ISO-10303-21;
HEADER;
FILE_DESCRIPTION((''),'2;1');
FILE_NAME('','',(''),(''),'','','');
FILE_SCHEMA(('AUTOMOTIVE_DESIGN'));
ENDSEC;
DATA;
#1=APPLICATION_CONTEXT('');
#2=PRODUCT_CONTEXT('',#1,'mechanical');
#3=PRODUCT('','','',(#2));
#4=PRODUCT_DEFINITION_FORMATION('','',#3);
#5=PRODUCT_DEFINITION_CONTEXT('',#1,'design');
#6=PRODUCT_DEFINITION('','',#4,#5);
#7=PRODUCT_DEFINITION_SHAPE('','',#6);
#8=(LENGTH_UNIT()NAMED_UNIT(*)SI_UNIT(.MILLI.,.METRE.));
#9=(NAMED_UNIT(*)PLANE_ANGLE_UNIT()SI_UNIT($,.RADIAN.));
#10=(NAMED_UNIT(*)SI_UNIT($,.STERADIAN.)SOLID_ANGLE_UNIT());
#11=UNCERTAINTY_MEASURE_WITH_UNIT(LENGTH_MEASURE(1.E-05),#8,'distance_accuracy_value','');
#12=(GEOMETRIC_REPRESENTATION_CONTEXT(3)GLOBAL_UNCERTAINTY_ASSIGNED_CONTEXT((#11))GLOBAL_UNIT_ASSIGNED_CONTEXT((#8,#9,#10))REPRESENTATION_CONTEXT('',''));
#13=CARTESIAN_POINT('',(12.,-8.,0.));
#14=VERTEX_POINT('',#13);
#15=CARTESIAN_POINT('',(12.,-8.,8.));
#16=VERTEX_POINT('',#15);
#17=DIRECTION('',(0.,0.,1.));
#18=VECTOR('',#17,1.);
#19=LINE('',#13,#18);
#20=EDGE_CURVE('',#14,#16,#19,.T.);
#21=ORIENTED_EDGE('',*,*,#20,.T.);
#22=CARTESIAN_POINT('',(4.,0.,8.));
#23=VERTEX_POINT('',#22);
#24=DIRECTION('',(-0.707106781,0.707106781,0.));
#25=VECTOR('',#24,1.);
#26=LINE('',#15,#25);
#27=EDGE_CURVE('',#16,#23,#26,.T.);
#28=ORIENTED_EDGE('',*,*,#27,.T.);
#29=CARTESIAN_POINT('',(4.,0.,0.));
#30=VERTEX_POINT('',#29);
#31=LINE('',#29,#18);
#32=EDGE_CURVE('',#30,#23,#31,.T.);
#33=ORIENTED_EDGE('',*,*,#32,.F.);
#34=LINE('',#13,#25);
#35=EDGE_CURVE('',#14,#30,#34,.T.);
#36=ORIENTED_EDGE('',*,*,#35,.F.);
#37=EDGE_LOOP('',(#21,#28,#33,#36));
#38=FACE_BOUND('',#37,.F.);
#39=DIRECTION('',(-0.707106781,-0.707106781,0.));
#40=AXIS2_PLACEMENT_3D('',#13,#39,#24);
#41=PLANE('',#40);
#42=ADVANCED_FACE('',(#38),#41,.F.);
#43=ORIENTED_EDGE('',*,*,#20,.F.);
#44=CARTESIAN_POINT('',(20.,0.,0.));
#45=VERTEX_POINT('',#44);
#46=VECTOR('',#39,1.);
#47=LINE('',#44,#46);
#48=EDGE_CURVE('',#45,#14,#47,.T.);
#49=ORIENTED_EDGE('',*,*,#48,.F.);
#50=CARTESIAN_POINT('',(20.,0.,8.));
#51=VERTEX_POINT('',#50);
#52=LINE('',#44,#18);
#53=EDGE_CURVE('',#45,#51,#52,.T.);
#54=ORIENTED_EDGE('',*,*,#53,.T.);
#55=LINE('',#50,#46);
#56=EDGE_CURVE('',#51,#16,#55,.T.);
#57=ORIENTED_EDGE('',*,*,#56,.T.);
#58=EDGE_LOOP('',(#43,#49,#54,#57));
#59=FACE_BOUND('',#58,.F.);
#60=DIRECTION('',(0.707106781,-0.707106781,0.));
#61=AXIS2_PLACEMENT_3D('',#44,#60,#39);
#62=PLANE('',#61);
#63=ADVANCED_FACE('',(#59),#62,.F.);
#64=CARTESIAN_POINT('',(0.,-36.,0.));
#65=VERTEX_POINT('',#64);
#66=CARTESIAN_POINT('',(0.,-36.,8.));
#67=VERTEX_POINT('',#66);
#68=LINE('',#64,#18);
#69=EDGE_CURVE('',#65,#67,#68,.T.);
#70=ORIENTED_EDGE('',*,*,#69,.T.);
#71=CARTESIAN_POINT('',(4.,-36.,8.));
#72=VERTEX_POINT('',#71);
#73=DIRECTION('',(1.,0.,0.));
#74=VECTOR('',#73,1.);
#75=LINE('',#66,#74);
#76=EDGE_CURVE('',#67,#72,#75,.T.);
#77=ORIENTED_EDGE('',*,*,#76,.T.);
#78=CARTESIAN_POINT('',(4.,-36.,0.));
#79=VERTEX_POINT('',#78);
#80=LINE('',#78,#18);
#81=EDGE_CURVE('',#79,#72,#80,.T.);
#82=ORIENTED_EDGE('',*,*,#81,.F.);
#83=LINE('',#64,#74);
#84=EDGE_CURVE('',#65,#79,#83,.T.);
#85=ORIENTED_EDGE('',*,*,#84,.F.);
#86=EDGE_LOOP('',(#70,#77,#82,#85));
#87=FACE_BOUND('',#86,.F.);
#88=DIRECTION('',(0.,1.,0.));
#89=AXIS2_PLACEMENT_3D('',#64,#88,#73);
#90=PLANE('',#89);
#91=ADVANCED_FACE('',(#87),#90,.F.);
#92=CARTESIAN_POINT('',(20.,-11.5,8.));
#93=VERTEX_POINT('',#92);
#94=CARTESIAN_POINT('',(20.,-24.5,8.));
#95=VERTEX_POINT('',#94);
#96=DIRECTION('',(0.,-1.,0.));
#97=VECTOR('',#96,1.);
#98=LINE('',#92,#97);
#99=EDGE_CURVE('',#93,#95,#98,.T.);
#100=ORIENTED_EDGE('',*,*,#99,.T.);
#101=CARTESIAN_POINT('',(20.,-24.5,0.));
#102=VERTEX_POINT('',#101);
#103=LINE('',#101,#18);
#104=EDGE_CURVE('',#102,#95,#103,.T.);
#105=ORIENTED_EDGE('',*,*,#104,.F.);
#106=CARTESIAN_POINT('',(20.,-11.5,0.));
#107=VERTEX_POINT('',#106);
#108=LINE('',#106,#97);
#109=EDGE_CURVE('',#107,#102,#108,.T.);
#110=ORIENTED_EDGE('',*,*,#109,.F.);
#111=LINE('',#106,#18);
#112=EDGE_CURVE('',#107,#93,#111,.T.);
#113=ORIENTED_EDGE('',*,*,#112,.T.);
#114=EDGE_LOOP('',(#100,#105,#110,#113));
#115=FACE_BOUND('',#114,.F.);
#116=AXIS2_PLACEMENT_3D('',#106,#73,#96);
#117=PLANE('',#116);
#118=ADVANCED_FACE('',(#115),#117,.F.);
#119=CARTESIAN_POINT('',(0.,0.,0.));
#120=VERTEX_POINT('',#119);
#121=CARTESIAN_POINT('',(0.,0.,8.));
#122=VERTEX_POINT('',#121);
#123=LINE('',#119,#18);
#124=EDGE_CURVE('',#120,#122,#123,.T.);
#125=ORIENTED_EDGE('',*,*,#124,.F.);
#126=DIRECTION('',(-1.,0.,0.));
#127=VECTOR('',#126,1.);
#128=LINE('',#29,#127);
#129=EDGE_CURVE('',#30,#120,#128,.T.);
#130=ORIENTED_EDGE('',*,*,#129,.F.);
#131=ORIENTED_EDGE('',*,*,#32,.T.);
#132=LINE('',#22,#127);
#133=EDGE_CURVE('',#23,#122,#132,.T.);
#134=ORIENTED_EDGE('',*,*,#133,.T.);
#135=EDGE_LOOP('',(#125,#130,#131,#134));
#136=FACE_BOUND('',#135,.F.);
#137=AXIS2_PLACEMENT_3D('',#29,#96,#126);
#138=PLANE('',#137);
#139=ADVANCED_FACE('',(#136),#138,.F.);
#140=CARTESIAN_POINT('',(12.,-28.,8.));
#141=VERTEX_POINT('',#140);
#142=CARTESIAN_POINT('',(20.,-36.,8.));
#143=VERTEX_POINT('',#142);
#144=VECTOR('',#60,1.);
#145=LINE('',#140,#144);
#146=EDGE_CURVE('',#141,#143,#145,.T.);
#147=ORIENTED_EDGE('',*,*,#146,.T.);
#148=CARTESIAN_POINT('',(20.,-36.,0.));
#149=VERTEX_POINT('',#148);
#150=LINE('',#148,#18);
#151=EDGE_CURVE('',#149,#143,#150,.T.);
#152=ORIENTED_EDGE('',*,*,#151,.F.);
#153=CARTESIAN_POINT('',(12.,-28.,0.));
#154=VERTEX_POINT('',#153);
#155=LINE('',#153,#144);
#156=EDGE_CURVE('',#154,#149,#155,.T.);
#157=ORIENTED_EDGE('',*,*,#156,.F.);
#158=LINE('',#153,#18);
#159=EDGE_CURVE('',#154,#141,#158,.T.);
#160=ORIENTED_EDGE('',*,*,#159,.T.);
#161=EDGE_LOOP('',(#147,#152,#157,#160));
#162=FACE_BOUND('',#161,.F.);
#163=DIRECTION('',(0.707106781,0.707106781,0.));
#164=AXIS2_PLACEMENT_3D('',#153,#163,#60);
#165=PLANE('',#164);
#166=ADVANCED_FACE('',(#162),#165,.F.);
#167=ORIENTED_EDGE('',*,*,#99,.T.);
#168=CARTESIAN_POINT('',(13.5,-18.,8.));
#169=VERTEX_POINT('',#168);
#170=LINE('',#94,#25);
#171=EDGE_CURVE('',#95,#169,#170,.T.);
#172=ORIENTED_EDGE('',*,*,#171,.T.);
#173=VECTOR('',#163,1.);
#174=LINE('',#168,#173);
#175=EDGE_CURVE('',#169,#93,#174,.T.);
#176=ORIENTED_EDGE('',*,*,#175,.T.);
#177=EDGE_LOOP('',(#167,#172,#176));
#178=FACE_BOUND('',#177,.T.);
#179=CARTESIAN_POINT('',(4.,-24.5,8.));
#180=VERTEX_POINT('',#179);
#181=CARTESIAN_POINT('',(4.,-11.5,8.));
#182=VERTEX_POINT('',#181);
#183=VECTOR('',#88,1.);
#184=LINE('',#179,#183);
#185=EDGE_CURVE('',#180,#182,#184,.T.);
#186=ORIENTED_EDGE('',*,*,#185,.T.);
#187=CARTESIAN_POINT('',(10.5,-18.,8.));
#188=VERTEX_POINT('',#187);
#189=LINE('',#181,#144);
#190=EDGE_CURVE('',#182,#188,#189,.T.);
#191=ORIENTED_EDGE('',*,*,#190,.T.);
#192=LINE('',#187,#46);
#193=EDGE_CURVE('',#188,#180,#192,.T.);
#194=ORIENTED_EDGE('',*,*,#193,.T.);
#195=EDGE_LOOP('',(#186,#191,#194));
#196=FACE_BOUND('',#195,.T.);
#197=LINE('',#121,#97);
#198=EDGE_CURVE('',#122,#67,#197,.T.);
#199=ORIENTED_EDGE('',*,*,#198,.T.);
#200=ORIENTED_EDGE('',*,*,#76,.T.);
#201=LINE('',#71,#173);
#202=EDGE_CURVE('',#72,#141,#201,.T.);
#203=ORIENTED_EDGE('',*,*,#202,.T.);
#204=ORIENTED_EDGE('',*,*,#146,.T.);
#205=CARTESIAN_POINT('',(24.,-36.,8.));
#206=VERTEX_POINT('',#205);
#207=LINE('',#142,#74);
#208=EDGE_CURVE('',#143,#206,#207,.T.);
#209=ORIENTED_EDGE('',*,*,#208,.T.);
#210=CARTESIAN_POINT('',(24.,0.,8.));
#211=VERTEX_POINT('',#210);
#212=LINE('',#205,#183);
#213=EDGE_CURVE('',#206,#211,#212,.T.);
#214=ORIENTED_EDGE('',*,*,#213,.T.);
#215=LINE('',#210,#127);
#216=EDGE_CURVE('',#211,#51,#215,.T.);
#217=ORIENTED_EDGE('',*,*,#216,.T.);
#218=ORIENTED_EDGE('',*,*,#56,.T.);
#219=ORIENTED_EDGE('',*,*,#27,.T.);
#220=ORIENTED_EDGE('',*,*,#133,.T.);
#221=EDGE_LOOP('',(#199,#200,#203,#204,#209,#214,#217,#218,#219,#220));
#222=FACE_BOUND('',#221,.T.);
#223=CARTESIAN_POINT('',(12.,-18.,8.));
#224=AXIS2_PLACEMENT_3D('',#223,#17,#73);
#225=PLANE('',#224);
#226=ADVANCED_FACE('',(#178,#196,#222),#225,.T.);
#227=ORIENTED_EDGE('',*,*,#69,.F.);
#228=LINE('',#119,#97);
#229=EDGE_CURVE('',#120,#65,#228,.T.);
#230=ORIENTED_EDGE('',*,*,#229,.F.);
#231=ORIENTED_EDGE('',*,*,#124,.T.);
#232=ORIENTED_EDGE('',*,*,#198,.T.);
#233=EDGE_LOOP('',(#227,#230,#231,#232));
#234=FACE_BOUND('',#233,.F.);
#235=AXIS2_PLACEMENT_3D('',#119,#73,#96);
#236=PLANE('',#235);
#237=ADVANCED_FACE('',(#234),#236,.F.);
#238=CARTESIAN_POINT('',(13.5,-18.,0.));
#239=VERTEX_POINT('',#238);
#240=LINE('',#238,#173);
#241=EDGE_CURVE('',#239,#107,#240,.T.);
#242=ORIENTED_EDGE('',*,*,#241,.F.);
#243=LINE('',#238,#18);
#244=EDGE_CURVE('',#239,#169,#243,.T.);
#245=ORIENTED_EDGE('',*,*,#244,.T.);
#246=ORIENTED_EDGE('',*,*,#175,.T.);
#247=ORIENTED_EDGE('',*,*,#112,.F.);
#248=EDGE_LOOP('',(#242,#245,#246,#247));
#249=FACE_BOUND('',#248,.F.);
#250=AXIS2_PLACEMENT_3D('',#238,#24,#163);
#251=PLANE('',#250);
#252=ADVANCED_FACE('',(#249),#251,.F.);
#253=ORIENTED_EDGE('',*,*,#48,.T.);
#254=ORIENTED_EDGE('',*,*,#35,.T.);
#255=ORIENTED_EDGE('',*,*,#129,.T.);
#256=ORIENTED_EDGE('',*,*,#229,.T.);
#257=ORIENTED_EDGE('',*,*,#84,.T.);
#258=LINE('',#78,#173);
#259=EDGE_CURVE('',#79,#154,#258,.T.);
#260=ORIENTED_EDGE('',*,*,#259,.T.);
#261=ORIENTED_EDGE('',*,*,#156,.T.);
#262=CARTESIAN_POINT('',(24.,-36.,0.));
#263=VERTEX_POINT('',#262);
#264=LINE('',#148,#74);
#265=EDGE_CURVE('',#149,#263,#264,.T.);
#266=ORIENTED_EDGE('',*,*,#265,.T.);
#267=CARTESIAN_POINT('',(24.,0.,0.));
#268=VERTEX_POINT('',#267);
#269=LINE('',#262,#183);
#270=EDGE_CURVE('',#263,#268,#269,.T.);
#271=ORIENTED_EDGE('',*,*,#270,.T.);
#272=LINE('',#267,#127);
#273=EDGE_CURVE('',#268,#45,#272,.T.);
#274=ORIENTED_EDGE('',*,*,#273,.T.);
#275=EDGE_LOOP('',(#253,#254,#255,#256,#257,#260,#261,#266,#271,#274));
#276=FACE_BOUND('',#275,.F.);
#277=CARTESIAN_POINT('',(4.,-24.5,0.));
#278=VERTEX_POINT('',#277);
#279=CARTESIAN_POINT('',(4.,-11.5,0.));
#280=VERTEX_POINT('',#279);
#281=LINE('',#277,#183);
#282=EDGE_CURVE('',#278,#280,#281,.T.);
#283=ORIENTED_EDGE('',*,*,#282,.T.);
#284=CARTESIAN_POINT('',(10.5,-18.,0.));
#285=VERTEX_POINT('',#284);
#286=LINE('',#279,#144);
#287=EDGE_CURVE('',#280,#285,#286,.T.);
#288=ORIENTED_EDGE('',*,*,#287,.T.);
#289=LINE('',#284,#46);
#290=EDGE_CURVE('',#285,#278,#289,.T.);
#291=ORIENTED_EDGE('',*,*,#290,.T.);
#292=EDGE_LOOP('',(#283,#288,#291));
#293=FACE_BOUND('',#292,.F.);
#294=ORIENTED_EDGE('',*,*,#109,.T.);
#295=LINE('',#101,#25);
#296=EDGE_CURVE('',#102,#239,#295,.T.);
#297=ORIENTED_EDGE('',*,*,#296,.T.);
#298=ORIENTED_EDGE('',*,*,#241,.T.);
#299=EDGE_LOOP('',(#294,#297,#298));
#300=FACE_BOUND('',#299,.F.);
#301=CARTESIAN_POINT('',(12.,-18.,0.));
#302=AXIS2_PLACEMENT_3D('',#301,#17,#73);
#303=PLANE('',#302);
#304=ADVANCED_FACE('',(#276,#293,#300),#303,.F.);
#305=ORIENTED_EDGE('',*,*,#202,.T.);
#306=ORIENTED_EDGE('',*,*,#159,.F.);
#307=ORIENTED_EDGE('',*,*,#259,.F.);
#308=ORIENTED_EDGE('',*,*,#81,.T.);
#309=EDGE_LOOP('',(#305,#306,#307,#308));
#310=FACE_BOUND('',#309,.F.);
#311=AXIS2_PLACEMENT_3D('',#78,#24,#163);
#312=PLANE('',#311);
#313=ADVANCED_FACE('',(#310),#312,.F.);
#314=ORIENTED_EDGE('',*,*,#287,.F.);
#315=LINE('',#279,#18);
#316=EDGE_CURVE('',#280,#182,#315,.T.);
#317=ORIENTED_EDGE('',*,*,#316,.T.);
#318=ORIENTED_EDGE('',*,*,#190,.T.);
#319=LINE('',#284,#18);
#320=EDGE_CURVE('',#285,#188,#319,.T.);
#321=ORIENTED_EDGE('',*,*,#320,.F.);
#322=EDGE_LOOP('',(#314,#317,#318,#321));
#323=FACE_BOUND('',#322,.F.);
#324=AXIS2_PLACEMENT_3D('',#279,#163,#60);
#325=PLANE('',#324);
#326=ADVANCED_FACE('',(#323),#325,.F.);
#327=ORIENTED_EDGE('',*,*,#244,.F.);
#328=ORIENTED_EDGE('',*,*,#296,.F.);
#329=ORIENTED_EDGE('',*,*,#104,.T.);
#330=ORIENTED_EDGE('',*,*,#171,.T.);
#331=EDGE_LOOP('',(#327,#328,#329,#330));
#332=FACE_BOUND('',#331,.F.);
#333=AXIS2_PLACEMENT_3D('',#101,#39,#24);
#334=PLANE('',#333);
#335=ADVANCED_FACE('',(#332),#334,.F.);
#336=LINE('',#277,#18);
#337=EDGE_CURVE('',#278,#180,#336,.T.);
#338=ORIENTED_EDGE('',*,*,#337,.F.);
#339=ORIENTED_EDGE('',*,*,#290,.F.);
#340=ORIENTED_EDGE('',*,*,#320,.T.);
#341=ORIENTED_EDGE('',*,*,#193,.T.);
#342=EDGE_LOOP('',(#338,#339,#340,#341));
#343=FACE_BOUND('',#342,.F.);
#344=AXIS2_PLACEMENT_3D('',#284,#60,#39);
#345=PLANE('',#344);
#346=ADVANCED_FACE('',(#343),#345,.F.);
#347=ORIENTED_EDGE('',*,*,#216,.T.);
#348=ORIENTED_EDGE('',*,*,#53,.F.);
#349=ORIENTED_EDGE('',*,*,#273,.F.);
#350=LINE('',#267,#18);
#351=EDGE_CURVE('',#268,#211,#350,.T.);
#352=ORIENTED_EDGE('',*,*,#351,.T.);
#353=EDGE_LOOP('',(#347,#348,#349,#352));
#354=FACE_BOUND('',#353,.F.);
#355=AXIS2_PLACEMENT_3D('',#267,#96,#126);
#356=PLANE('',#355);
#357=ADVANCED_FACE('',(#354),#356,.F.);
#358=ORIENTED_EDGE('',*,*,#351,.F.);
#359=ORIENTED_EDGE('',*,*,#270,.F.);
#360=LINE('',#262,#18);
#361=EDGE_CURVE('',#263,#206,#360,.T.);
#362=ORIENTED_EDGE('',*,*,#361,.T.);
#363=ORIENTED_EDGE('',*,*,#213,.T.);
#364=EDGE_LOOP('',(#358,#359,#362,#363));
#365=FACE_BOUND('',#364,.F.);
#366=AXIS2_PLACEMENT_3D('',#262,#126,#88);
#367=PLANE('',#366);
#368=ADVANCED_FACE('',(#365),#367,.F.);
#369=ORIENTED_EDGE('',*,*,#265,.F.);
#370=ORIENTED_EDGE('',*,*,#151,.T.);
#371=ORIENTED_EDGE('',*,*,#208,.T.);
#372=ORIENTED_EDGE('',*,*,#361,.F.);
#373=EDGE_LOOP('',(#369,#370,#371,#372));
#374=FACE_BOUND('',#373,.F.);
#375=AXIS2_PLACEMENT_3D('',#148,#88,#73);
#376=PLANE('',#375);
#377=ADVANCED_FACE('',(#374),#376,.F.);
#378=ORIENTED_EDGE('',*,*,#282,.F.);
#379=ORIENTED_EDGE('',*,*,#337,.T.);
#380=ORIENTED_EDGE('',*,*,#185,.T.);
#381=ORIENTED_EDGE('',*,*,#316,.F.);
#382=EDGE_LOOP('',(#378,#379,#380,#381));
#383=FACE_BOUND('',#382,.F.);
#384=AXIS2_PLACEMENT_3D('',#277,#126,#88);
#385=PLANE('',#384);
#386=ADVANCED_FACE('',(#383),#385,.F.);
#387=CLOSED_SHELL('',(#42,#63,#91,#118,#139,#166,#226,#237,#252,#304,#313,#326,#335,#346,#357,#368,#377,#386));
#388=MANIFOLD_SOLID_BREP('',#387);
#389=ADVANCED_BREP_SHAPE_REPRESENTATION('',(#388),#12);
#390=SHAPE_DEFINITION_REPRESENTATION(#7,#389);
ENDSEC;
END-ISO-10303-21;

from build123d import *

# Parameters (mm, degrees)
F1_DEPTH = 8


with BuildPart() as f1:
    # F0 (on Top) → F1 (new body)
    with BuildSketch(Plane.XY):
        Polygon((4, 0), (0, 0), (0, -36), (4, -36), (12, -28), (20, -36), (24, -36), (24, 0), (20, 0), (12, -8), align=None)
        Polygon((4, -24.5), (4, -11.5), (10.5, -18), align=None, mode=Mode.SUBTRACT)
        Polygon((20, -24.5), (13.5, -18), (20, -11.5), align=None, mode=Mode.SUBTRACT)
    extrude(amount=F1_DEPTH)


solid = f1.part
